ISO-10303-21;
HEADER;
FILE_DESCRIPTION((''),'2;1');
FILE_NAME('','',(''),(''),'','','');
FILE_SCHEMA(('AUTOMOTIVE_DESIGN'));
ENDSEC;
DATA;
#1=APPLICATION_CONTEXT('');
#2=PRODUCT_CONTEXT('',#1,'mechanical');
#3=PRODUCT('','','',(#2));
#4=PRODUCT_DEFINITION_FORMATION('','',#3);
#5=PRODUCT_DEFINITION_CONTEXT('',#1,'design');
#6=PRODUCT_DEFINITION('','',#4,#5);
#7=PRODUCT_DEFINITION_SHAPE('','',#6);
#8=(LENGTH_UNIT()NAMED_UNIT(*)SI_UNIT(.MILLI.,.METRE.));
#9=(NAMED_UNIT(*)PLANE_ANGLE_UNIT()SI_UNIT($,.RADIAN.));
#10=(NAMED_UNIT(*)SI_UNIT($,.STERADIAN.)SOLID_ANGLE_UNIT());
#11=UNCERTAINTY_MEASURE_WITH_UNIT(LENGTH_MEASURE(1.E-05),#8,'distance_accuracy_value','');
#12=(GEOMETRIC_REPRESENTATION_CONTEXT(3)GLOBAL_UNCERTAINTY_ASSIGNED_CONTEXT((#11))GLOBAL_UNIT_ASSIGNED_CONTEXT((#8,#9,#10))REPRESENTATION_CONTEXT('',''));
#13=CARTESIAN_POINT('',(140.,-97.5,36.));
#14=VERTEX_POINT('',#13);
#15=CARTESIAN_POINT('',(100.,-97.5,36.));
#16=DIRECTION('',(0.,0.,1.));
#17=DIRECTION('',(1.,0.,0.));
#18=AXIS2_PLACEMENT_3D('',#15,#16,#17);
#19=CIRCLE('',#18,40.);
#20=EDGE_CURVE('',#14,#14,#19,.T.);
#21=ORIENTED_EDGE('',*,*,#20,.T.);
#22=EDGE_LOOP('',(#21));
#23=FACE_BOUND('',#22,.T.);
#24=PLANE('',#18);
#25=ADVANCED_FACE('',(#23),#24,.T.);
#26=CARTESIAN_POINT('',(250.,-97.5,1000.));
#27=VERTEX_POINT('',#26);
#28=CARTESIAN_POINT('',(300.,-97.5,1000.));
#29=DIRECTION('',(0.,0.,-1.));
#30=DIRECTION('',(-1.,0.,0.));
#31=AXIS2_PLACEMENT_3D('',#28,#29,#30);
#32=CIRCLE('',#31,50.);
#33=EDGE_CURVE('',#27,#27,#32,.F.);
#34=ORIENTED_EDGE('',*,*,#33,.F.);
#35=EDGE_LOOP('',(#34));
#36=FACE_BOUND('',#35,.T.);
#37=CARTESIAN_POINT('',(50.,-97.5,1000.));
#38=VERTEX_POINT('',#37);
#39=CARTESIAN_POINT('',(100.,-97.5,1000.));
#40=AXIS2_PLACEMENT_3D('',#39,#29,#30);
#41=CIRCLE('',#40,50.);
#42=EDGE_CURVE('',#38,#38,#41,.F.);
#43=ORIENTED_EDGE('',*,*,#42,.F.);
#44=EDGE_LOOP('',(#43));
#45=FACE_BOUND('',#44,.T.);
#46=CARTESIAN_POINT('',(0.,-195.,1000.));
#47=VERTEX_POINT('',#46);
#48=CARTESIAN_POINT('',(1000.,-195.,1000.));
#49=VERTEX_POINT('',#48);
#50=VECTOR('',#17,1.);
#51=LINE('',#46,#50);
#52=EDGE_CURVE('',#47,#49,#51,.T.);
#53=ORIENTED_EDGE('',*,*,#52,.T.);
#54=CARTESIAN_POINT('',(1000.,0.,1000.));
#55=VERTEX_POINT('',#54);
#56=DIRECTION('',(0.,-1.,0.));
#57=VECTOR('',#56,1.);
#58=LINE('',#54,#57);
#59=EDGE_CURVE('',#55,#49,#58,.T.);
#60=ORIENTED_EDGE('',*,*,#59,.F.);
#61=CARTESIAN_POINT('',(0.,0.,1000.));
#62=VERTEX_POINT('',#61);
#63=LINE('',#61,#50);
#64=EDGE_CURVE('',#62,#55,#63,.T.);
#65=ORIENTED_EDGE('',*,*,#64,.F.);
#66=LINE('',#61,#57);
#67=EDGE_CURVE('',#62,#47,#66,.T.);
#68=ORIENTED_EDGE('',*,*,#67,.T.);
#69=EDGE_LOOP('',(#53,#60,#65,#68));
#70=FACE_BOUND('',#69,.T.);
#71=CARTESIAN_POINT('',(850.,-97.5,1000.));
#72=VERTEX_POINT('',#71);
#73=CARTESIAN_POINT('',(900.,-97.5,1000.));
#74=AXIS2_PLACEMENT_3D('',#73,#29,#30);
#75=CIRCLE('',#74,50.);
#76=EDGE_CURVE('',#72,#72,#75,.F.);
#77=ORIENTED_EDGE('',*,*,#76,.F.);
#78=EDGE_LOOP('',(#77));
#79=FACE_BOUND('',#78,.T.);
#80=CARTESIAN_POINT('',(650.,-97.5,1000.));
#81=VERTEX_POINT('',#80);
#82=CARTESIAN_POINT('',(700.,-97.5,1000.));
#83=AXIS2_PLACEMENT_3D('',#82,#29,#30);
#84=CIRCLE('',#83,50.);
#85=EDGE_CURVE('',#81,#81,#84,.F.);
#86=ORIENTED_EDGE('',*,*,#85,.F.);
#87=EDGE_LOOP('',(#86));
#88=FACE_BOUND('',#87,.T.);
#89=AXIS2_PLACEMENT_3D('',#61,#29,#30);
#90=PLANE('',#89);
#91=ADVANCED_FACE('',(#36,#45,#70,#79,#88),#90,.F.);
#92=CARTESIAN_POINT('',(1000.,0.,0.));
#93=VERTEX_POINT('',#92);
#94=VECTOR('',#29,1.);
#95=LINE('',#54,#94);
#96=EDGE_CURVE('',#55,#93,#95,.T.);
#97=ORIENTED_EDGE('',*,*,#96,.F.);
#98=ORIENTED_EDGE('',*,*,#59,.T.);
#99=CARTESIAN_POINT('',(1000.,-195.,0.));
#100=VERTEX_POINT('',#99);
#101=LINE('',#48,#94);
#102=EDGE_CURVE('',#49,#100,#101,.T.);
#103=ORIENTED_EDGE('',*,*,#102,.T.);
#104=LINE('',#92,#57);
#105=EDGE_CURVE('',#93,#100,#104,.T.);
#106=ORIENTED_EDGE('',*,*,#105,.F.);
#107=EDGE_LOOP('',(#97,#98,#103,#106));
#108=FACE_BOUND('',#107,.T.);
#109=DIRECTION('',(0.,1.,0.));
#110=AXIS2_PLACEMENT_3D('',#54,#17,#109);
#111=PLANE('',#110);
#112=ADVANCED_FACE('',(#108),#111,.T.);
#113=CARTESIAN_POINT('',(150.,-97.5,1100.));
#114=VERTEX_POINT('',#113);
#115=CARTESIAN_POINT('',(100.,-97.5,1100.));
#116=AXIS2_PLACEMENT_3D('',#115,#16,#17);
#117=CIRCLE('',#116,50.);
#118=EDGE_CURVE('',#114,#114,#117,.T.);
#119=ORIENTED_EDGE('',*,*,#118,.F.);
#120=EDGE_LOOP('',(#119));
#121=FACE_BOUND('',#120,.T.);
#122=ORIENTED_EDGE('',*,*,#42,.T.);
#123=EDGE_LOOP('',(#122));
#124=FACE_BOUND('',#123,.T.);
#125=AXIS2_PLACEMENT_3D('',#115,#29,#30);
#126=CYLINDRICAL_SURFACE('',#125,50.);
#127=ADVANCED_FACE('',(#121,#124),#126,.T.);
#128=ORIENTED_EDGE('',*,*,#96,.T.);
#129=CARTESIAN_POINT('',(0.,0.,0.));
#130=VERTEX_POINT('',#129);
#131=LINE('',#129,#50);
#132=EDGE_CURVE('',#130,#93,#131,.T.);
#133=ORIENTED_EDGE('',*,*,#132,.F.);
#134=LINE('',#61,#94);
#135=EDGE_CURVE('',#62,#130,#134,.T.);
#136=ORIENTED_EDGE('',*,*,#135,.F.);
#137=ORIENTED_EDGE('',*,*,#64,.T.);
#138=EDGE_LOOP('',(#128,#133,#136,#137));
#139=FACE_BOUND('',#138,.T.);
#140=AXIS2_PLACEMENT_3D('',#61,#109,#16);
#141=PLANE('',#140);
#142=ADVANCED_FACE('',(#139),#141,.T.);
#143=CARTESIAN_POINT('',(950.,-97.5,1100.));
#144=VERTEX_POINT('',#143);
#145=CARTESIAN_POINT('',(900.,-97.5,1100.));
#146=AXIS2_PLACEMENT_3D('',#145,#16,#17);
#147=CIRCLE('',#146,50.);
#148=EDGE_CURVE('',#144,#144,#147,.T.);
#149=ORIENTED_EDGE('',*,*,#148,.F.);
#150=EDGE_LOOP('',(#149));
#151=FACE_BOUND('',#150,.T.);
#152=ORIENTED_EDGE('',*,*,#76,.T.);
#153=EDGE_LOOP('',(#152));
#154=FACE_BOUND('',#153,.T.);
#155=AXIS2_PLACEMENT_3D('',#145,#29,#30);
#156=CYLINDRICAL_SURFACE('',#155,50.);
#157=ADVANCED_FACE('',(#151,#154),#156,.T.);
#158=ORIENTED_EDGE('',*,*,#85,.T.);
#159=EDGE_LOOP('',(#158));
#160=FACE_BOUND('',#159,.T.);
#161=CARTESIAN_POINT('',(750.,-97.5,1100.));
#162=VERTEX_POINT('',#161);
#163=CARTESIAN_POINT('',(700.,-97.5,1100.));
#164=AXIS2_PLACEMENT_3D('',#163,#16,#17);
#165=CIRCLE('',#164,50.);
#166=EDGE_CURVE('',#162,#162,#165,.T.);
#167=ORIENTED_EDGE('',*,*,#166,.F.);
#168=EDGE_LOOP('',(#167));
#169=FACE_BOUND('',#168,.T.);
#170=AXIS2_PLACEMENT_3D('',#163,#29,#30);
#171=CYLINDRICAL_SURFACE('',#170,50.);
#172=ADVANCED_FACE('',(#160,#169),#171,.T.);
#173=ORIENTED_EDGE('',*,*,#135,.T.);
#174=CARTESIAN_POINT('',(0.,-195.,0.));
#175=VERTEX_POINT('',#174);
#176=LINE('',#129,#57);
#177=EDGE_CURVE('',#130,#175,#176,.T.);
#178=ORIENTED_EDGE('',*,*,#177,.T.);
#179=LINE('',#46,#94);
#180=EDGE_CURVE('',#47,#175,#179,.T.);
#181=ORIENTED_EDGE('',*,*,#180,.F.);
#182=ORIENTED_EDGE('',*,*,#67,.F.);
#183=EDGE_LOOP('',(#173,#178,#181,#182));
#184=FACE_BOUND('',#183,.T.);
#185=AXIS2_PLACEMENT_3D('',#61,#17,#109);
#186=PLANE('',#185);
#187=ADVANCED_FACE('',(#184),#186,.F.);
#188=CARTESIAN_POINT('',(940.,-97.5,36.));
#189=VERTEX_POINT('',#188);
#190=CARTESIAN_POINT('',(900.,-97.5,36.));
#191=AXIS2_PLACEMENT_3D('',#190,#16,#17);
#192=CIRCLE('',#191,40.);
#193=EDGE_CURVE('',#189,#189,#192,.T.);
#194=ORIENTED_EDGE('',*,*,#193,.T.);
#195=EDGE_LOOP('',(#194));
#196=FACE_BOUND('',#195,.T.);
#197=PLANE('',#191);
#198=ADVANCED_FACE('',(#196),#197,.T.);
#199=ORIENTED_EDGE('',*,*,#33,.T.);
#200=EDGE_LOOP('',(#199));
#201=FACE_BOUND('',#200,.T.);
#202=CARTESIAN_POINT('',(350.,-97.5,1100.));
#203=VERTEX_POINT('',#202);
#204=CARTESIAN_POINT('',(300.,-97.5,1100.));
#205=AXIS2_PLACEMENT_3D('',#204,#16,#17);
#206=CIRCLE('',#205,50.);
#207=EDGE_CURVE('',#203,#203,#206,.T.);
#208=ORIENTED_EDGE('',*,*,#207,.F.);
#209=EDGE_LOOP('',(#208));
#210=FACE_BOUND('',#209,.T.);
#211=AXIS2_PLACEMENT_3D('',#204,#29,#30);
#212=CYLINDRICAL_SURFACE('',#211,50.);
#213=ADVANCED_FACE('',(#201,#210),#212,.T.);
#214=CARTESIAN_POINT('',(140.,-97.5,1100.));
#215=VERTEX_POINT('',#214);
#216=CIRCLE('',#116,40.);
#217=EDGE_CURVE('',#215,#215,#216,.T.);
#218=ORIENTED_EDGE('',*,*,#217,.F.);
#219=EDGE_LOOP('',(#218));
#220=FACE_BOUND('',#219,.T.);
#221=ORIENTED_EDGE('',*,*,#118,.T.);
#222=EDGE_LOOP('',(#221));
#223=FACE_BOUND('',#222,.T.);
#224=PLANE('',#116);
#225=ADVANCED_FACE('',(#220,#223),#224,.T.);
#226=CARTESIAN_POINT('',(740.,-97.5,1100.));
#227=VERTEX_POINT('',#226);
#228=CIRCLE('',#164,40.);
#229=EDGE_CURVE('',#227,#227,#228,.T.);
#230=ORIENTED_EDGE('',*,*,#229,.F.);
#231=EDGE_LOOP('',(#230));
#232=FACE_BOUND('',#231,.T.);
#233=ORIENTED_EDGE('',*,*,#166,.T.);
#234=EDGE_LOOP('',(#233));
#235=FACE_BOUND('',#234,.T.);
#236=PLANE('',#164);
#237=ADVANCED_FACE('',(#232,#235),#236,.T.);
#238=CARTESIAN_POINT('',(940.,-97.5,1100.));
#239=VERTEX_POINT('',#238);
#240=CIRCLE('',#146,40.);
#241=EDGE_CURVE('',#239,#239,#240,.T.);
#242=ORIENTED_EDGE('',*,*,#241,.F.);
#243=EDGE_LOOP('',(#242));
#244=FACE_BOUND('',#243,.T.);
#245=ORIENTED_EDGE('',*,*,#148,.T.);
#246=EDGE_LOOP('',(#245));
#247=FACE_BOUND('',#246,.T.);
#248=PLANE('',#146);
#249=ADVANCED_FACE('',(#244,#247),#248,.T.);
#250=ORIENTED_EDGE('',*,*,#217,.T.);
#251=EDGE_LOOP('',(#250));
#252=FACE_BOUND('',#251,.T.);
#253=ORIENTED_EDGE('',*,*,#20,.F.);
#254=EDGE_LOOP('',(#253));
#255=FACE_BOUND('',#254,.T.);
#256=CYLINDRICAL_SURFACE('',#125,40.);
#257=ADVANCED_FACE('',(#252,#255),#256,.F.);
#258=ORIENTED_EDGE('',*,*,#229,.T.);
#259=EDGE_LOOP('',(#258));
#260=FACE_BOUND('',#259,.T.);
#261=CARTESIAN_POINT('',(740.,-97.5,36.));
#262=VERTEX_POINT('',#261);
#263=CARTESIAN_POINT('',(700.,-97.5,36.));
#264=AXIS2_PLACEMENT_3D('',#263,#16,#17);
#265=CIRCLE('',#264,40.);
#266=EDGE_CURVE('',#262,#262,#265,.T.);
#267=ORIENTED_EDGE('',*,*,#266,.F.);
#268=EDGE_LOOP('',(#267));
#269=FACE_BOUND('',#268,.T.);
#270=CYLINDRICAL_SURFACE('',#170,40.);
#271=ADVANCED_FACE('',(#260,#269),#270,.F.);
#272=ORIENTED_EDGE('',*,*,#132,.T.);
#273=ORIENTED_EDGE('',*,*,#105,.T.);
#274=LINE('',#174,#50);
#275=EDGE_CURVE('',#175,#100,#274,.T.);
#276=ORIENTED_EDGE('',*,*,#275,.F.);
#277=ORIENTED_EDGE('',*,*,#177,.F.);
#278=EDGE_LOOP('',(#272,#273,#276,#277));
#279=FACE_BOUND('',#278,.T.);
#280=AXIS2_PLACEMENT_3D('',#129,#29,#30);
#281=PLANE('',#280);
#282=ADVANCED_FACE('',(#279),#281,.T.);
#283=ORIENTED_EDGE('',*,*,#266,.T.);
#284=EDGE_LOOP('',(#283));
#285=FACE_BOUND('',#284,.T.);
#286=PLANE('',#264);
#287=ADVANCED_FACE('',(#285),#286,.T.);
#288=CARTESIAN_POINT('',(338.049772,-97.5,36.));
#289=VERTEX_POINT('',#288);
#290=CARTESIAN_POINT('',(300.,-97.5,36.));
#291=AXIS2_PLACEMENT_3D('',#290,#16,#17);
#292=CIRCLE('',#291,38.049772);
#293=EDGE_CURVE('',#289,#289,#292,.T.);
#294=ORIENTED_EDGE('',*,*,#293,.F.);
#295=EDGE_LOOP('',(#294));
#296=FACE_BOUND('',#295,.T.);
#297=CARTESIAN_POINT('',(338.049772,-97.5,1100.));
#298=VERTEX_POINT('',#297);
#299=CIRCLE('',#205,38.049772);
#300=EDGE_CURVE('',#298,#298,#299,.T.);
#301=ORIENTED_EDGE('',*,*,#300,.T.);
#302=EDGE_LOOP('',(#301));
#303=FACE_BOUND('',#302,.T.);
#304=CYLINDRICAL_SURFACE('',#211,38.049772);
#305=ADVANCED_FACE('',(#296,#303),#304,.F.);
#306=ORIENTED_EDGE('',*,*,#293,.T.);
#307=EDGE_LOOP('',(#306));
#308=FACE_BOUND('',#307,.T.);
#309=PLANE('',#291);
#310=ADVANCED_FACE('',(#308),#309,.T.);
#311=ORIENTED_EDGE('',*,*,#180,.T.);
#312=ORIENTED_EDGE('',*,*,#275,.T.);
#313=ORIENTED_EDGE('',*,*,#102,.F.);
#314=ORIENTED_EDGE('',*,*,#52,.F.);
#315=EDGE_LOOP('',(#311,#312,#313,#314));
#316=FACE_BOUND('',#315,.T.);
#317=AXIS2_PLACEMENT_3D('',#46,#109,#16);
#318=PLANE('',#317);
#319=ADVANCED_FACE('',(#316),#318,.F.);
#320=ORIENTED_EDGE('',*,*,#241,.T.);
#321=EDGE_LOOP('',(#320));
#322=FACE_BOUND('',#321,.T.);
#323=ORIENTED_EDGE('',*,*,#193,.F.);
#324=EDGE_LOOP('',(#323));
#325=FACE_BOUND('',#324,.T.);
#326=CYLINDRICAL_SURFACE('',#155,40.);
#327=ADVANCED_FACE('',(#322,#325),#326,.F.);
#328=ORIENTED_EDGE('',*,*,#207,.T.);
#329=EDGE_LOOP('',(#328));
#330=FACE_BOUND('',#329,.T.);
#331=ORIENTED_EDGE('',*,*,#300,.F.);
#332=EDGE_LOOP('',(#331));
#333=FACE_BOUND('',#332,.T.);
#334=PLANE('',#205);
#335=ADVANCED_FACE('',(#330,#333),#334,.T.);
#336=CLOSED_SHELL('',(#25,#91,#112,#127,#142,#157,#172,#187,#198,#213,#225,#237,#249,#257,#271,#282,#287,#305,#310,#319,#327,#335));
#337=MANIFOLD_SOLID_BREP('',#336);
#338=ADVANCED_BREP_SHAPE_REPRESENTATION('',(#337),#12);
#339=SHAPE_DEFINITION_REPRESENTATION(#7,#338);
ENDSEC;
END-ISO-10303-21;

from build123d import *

# Parameters (mm, degrees)
SKETCH1_W           = 1000
SKETCH1_H           = 195
BOSS_EXTRUDE1_DEPTH = 1000
SKETCH2_R           = 50
SKETCH2_R_2         = 40
SKETCH2_R_3         = 38.049771674
BOSS_EXTRUDE2_DEPTH = 100
CUT_EXTRUDE1_START  = -964
SKETCH5_R           = 40
SKETCH5_R_2         = 38.049771674
CUT_EXTRUDE1_DEPTH  = 964


with BuildPart() as part:
    # Sketch1 → Boss-Extrude1 (new body)
    with BuildSketch(Plane.XY):
        with Locations((500, -97.5)):
            Rectangle(SKETCH1_W, SKETCH1_H)
    extrude(amount=BOSS_EXTRUDE1_DEPTH)

    # Sketch2 → Boss-Extrude2 (add)
    # profile 1 of 4: a face of its own
    with BuildSketch(Plane.XY.offset(1000)):
        with Locations(Location((100, -97.5, 0), (0, 0, 180))):
            Circle(SKETCH2_R)
        with Locations((100, -97.5)):
            Circle(SKETCH2_R_2, mode=Mode.SUBTRACT)
    # profile 2 of 4: a face of its own
    with BuildSketch(Plane.XY.offset(1000)):
        with Locations(Location((300, -97.5, 0), (0, 0, 180))):
            Circle(SKETCH2_R)
        with Locations((300, -97.5)):
            Circle(SKETCH2_R_3, mode=Mode.SUBTRACT)
    # profile 3 of 4: a face of its own
    with BuildSketch(Plane.XY.offset(1000)):
        with Locations(Location((700, -97.5, 0), (0, 0, 180))):
            Circle(SKETCH2_R)
        with Locations((700, -97.5)):
            Circle(SKETCH2_R_2, mode=Mode.SUBTRACT)
    # profile 4 of 4: a face of its own
    with BuildSketch(Plane.XY.offset(1000)):
        with Locations(Location((900, -97.5, 0), (0, 0, 180))):
            Circle(SKETCH2_R)
        with Locations((900, -97.5)):
            Circle(SKETCH2_R_2, mode=Mode.SUBTRACT)
    extrude(amount=BOSS_EXTRUDE2_DEPTH)

    # Sketch5 → Cut-Extrude1 (cut)
    with BuildSketch(Plane.XY.offset(1000).offset(CUT_EXTRUDE1_START)):
        with Locations((100, -97.5)):
            Circle(SKETCH5_R)
        with Locations((300, -97.5)):
            Circle(SKETCH5_R_2)
        with Locations((700, -97.5)):
            Circle(SKETCH5_R)
        with Locations((900, -97.5)):
            Circle(SKETCH5_R)
    extrude(amount=CUT_EXTRUDE1_DEPTH, mode=Mode.SUBTRACT)


solid = part.part
